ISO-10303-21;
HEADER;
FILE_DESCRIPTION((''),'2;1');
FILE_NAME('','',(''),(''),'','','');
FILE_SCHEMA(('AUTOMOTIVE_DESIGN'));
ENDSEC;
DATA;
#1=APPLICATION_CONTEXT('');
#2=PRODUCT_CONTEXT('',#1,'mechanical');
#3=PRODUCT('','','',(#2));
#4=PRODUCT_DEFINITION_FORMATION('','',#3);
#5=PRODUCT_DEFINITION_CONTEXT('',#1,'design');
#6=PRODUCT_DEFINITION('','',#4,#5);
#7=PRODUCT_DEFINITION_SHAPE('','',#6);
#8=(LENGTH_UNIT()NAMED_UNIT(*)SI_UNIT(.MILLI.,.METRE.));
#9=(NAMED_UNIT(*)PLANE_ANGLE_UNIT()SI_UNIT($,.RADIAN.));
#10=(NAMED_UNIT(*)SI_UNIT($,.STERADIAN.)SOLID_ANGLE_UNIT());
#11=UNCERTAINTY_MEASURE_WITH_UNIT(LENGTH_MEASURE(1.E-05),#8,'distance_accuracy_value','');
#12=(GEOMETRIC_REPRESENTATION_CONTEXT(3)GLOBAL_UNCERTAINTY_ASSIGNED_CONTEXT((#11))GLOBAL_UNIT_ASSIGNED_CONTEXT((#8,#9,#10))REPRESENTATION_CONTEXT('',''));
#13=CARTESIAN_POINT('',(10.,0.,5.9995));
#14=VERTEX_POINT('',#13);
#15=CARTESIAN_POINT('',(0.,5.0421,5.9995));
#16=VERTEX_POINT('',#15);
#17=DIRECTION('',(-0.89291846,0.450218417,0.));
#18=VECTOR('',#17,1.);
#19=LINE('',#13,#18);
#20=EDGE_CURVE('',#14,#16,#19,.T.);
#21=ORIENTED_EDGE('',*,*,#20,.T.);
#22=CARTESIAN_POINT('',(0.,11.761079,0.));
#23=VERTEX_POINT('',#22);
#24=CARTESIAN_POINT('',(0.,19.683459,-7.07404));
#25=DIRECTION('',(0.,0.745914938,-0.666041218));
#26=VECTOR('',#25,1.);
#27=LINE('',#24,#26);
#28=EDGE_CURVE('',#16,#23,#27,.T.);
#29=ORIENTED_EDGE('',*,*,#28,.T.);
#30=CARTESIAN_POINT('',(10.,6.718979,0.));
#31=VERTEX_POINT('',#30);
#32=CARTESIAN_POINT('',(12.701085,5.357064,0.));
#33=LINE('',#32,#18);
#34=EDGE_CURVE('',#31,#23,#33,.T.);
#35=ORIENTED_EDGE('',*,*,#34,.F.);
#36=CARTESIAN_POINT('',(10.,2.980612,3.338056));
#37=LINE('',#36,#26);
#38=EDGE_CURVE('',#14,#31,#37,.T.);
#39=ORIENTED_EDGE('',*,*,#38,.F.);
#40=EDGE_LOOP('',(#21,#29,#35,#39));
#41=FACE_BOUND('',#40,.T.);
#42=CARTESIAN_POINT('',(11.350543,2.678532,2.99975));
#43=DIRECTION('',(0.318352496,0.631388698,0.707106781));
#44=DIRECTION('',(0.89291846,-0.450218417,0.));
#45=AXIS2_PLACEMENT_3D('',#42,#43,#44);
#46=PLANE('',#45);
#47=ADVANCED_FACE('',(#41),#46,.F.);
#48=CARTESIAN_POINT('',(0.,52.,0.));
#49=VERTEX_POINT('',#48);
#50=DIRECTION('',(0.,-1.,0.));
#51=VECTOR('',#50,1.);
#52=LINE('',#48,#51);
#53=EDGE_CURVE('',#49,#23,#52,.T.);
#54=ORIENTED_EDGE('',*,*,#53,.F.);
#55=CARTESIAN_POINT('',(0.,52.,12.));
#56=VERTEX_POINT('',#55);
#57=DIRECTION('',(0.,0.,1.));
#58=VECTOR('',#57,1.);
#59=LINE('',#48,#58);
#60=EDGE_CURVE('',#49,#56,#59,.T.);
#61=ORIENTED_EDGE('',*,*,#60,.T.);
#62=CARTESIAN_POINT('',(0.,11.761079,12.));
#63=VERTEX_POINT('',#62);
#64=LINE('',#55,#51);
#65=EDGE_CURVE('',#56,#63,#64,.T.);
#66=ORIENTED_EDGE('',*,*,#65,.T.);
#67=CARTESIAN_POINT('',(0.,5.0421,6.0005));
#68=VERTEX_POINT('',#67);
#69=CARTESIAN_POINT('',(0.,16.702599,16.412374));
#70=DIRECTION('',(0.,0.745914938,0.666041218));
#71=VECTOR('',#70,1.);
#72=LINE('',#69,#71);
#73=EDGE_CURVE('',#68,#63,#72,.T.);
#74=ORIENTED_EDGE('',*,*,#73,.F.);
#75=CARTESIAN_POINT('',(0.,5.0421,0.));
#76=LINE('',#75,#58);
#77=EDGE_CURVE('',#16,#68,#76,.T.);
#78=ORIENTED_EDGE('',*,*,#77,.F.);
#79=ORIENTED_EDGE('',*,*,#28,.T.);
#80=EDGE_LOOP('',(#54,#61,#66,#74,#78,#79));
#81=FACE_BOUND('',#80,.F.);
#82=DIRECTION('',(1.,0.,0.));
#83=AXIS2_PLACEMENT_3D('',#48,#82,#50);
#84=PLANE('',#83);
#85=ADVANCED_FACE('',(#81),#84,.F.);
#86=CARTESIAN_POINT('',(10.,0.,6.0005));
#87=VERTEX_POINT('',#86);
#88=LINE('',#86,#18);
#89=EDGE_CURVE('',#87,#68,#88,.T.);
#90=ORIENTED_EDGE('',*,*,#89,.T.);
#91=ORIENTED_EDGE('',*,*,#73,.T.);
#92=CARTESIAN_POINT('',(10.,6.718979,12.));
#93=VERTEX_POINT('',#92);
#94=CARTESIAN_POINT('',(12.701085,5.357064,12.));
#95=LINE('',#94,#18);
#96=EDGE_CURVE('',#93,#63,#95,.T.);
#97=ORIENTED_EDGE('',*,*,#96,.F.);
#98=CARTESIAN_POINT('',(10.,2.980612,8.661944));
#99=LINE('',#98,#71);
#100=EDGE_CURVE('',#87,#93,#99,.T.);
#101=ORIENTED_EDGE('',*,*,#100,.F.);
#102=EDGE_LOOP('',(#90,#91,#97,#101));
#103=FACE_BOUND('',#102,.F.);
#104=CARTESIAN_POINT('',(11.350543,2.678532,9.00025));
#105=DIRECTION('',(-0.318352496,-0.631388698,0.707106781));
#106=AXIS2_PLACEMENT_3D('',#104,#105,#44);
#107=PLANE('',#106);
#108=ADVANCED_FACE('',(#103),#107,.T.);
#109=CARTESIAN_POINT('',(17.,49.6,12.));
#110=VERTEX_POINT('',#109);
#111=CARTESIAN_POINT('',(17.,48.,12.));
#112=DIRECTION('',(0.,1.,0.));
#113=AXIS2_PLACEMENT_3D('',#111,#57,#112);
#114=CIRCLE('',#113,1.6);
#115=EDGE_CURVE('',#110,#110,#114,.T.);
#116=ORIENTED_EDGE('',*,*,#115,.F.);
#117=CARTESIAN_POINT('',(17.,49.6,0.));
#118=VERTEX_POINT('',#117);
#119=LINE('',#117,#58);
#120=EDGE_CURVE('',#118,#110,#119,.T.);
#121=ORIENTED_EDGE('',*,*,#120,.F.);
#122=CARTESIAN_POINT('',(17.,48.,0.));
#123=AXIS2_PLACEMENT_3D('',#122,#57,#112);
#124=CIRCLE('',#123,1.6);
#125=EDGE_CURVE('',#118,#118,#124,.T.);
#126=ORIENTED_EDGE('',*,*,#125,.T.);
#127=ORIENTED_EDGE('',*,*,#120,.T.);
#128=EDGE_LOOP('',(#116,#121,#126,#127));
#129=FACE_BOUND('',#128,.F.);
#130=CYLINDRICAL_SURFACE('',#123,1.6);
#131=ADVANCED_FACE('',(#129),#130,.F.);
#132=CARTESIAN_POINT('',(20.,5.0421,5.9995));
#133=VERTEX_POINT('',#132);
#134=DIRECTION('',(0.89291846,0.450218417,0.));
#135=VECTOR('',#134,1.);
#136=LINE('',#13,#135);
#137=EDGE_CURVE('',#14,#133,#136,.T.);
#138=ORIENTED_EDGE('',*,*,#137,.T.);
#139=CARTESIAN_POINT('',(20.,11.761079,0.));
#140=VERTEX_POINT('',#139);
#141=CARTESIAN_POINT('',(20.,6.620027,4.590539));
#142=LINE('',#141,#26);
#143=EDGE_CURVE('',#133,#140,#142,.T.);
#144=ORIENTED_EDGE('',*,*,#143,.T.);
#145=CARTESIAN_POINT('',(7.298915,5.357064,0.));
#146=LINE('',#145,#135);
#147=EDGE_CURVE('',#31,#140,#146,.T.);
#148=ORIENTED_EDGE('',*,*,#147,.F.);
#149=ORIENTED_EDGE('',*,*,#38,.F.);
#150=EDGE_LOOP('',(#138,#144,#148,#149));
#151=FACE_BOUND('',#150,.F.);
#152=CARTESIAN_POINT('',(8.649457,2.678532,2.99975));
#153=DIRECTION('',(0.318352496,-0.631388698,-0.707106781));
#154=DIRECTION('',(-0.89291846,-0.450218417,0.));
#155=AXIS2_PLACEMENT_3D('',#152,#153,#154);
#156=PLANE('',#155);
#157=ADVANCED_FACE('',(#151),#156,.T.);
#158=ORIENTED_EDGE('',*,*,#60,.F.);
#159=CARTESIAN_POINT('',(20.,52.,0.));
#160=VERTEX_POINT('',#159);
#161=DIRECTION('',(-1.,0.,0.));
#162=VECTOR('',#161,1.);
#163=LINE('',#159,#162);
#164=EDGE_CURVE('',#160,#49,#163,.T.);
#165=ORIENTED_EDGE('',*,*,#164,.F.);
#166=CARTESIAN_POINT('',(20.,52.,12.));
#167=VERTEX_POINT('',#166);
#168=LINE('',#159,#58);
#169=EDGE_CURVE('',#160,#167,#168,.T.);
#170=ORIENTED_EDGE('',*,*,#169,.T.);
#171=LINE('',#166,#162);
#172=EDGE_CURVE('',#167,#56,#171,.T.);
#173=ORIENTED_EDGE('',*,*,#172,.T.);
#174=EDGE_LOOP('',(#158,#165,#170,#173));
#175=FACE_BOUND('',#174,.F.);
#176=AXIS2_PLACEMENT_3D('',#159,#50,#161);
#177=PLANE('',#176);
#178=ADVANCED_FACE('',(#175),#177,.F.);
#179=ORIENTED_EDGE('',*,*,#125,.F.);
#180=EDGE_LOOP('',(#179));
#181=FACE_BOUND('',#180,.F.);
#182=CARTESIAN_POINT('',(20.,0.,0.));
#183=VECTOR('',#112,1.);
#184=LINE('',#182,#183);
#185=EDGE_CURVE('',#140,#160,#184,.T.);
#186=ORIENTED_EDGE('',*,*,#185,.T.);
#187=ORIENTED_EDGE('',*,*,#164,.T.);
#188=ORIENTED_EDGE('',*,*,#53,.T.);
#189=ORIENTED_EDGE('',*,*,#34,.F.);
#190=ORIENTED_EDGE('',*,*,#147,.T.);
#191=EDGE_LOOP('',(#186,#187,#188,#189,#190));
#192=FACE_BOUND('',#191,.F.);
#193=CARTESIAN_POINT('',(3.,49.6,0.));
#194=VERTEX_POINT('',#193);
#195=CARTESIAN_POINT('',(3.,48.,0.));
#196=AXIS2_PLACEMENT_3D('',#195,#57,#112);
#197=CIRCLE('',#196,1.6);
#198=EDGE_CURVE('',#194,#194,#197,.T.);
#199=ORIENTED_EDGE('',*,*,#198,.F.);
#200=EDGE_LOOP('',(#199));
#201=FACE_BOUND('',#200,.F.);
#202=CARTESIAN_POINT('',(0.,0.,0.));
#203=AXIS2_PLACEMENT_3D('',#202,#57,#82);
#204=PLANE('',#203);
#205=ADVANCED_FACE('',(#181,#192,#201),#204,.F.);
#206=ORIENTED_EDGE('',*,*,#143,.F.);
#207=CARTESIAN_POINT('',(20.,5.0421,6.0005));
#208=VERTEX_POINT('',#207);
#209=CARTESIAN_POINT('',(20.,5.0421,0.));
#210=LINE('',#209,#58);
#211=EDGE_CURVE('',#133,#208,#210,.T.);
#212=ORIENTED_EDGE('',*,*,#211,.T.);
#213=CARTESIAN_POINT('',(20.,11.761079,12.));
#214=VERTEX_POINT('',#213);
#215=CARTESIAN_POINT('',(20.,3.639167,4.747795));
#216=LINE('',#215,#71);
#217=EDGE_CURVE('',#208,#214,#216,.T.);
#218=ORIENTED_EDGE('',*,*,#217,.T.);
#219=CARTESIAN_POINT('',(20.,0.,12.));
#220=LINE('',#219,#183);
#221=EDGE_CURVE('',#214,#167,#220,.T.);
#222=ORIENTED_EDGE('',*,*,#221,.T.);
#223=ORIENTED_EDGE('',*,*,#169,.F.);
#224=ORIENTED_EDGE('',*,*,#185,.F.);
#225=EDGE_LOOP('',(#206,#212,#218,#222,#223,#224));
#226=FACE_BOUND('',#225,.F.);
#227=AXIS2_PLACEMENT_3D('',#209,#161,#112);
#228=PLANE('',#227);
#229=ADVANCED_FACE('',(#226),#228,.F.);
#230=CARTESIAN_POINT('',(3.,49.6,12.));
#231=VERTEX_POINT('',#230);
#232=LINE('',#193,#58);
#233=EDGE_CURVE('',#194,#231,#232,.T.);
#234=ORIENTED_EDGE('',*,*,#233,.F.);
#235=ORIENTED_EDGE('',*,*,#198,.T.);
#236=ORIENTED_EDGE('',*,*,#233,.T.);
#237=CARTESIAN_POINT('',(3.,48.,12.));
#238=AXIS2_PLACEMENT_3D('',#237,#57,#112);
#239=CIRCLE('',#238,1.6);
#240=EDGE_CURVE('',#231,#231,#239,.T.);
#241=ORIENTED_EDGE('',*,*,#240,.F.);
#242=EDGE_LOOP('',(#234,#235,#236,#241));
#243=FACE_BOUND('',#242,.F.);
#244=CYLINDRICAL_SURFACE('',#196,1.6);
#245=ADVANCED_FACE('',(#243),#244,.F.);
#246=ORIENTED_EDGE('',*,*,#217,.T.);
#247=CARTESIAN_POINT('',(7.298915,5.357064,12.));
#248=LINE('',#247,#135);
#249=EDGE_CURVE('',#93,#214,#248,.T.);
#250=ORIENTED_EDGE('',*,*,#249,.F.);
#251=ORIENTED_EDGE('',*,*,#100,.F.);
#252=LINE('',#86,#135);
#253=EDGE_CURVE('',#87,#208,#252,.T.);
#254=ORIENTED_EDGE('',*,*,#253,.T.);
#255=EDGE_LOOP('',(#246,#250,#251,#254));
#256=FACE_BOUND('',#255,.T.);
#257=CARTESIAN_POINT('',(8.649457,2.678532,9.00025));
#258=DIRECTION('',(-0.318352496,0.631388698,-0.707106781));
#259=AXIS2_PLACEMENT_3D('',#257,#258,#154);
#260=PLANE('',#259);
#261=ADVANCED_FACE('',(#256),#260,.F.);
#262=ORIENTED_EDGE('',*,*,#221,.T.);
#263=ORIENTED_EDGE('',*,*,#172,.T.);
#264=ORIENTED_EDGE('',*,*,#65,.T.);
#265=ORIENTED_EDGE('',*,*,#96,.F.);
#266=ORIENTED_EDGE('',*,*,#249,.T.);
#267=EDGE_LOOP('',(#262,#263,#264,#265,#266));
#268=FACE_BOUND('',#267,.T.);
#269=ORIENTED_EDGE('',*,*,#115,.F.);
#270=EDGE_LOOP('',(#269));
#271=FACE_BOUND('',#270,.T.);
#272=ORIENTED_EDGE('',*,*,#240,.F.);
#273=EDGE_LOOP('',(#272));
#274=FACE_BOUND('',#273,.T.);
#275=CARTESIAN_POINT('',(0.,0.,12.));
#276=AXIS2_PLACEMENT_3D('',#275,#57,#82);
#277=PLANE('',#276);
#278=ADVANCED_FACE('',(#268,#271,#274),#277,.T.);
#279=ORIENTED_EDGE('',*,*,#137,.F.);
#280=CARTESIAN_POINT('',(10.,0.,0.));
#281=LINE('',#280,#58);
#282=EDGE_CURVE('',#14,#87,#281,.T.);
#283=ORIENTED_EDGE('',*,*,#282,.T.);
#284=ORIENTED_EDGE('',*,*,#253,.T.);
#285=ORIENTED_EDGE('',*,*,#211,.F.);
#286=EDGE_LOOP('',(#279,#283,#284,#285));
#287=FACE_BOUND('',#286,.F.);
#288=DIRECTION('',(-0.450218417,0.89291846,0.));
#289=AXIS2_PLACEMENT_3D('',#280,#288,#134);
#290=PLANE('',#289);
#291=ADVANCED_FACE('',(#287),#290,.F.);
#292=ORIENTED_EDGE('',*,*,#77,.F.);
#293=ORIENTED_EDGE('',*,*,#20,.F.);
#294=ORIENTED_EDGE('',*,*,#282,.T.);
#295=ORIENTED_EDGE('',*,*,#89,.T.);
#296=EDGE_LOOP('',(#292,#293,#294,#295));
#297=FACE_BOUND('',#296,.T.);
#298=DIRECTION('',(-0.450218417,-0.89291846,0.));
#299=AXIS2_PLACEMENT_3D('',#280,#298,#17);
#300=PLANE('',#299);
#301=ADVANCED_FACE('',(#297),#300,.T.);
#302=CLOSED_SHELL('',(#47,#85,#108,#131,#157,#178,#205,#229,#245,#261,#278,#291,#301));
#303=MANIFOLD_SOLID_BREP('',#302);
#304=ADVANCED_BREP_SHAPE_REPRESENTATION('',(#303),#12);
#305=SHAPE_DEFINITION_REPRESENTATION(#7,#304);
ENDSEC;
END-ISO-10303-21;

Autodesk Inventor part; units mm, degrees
ref_plane "YZ Plane" through (0, 0, 0) normal (1, 0, 0) x (0, 1, 0)
ref_plane "XZ Plane" through (0, 0, 0) normal (0, 1, 0) x (-1, 0, 0)
ref_plane "XY Plane" through (0, 0, 0) normal (0, 0, 1) x (1, 0, 0)
sketch "Sketch1" plane through (0, 0, 0) normal (0, 0, 1) x (1, 0, 0)
  line L0 (0, 0) -> (20, 0)
  line L1 (20, 0) -> (20, 52)
  line L2 (20, 52) -> (0, 52)
  line L3 (0, 52) -> (0, 0)
  line L4 (10, 0) -> (20, 5.0421)
  line L5 (10, 0) -> (0, 5.0421)
  point P0 (3, 48)
  point P1 (17, 48)
  dimension "d0" = 20
  dimension "d1" = 52
  dimension "d2" = 14
  dimension "d3" = 3
  dimension "d4" = 3
  dimension "d5" = 4
extrude "Extrusion1" add sketch "Sketch1" along normal blind 12 contours L5 L3 L2 L1 L4
hole "Hole1" at (3, 48, 0) at (17, 48, 0) direction (0, 0, 1) diameter 3.2 end through all
chamfer "Chamfer1" distance 6 angle 45 4 edges at (15, 2.5211, 12) (15, 2.5211, 0) (5, 2.5211, 12) (5, 2.5211, 0)
equation "\"d3\" = d4"
properties part number "hotend"
